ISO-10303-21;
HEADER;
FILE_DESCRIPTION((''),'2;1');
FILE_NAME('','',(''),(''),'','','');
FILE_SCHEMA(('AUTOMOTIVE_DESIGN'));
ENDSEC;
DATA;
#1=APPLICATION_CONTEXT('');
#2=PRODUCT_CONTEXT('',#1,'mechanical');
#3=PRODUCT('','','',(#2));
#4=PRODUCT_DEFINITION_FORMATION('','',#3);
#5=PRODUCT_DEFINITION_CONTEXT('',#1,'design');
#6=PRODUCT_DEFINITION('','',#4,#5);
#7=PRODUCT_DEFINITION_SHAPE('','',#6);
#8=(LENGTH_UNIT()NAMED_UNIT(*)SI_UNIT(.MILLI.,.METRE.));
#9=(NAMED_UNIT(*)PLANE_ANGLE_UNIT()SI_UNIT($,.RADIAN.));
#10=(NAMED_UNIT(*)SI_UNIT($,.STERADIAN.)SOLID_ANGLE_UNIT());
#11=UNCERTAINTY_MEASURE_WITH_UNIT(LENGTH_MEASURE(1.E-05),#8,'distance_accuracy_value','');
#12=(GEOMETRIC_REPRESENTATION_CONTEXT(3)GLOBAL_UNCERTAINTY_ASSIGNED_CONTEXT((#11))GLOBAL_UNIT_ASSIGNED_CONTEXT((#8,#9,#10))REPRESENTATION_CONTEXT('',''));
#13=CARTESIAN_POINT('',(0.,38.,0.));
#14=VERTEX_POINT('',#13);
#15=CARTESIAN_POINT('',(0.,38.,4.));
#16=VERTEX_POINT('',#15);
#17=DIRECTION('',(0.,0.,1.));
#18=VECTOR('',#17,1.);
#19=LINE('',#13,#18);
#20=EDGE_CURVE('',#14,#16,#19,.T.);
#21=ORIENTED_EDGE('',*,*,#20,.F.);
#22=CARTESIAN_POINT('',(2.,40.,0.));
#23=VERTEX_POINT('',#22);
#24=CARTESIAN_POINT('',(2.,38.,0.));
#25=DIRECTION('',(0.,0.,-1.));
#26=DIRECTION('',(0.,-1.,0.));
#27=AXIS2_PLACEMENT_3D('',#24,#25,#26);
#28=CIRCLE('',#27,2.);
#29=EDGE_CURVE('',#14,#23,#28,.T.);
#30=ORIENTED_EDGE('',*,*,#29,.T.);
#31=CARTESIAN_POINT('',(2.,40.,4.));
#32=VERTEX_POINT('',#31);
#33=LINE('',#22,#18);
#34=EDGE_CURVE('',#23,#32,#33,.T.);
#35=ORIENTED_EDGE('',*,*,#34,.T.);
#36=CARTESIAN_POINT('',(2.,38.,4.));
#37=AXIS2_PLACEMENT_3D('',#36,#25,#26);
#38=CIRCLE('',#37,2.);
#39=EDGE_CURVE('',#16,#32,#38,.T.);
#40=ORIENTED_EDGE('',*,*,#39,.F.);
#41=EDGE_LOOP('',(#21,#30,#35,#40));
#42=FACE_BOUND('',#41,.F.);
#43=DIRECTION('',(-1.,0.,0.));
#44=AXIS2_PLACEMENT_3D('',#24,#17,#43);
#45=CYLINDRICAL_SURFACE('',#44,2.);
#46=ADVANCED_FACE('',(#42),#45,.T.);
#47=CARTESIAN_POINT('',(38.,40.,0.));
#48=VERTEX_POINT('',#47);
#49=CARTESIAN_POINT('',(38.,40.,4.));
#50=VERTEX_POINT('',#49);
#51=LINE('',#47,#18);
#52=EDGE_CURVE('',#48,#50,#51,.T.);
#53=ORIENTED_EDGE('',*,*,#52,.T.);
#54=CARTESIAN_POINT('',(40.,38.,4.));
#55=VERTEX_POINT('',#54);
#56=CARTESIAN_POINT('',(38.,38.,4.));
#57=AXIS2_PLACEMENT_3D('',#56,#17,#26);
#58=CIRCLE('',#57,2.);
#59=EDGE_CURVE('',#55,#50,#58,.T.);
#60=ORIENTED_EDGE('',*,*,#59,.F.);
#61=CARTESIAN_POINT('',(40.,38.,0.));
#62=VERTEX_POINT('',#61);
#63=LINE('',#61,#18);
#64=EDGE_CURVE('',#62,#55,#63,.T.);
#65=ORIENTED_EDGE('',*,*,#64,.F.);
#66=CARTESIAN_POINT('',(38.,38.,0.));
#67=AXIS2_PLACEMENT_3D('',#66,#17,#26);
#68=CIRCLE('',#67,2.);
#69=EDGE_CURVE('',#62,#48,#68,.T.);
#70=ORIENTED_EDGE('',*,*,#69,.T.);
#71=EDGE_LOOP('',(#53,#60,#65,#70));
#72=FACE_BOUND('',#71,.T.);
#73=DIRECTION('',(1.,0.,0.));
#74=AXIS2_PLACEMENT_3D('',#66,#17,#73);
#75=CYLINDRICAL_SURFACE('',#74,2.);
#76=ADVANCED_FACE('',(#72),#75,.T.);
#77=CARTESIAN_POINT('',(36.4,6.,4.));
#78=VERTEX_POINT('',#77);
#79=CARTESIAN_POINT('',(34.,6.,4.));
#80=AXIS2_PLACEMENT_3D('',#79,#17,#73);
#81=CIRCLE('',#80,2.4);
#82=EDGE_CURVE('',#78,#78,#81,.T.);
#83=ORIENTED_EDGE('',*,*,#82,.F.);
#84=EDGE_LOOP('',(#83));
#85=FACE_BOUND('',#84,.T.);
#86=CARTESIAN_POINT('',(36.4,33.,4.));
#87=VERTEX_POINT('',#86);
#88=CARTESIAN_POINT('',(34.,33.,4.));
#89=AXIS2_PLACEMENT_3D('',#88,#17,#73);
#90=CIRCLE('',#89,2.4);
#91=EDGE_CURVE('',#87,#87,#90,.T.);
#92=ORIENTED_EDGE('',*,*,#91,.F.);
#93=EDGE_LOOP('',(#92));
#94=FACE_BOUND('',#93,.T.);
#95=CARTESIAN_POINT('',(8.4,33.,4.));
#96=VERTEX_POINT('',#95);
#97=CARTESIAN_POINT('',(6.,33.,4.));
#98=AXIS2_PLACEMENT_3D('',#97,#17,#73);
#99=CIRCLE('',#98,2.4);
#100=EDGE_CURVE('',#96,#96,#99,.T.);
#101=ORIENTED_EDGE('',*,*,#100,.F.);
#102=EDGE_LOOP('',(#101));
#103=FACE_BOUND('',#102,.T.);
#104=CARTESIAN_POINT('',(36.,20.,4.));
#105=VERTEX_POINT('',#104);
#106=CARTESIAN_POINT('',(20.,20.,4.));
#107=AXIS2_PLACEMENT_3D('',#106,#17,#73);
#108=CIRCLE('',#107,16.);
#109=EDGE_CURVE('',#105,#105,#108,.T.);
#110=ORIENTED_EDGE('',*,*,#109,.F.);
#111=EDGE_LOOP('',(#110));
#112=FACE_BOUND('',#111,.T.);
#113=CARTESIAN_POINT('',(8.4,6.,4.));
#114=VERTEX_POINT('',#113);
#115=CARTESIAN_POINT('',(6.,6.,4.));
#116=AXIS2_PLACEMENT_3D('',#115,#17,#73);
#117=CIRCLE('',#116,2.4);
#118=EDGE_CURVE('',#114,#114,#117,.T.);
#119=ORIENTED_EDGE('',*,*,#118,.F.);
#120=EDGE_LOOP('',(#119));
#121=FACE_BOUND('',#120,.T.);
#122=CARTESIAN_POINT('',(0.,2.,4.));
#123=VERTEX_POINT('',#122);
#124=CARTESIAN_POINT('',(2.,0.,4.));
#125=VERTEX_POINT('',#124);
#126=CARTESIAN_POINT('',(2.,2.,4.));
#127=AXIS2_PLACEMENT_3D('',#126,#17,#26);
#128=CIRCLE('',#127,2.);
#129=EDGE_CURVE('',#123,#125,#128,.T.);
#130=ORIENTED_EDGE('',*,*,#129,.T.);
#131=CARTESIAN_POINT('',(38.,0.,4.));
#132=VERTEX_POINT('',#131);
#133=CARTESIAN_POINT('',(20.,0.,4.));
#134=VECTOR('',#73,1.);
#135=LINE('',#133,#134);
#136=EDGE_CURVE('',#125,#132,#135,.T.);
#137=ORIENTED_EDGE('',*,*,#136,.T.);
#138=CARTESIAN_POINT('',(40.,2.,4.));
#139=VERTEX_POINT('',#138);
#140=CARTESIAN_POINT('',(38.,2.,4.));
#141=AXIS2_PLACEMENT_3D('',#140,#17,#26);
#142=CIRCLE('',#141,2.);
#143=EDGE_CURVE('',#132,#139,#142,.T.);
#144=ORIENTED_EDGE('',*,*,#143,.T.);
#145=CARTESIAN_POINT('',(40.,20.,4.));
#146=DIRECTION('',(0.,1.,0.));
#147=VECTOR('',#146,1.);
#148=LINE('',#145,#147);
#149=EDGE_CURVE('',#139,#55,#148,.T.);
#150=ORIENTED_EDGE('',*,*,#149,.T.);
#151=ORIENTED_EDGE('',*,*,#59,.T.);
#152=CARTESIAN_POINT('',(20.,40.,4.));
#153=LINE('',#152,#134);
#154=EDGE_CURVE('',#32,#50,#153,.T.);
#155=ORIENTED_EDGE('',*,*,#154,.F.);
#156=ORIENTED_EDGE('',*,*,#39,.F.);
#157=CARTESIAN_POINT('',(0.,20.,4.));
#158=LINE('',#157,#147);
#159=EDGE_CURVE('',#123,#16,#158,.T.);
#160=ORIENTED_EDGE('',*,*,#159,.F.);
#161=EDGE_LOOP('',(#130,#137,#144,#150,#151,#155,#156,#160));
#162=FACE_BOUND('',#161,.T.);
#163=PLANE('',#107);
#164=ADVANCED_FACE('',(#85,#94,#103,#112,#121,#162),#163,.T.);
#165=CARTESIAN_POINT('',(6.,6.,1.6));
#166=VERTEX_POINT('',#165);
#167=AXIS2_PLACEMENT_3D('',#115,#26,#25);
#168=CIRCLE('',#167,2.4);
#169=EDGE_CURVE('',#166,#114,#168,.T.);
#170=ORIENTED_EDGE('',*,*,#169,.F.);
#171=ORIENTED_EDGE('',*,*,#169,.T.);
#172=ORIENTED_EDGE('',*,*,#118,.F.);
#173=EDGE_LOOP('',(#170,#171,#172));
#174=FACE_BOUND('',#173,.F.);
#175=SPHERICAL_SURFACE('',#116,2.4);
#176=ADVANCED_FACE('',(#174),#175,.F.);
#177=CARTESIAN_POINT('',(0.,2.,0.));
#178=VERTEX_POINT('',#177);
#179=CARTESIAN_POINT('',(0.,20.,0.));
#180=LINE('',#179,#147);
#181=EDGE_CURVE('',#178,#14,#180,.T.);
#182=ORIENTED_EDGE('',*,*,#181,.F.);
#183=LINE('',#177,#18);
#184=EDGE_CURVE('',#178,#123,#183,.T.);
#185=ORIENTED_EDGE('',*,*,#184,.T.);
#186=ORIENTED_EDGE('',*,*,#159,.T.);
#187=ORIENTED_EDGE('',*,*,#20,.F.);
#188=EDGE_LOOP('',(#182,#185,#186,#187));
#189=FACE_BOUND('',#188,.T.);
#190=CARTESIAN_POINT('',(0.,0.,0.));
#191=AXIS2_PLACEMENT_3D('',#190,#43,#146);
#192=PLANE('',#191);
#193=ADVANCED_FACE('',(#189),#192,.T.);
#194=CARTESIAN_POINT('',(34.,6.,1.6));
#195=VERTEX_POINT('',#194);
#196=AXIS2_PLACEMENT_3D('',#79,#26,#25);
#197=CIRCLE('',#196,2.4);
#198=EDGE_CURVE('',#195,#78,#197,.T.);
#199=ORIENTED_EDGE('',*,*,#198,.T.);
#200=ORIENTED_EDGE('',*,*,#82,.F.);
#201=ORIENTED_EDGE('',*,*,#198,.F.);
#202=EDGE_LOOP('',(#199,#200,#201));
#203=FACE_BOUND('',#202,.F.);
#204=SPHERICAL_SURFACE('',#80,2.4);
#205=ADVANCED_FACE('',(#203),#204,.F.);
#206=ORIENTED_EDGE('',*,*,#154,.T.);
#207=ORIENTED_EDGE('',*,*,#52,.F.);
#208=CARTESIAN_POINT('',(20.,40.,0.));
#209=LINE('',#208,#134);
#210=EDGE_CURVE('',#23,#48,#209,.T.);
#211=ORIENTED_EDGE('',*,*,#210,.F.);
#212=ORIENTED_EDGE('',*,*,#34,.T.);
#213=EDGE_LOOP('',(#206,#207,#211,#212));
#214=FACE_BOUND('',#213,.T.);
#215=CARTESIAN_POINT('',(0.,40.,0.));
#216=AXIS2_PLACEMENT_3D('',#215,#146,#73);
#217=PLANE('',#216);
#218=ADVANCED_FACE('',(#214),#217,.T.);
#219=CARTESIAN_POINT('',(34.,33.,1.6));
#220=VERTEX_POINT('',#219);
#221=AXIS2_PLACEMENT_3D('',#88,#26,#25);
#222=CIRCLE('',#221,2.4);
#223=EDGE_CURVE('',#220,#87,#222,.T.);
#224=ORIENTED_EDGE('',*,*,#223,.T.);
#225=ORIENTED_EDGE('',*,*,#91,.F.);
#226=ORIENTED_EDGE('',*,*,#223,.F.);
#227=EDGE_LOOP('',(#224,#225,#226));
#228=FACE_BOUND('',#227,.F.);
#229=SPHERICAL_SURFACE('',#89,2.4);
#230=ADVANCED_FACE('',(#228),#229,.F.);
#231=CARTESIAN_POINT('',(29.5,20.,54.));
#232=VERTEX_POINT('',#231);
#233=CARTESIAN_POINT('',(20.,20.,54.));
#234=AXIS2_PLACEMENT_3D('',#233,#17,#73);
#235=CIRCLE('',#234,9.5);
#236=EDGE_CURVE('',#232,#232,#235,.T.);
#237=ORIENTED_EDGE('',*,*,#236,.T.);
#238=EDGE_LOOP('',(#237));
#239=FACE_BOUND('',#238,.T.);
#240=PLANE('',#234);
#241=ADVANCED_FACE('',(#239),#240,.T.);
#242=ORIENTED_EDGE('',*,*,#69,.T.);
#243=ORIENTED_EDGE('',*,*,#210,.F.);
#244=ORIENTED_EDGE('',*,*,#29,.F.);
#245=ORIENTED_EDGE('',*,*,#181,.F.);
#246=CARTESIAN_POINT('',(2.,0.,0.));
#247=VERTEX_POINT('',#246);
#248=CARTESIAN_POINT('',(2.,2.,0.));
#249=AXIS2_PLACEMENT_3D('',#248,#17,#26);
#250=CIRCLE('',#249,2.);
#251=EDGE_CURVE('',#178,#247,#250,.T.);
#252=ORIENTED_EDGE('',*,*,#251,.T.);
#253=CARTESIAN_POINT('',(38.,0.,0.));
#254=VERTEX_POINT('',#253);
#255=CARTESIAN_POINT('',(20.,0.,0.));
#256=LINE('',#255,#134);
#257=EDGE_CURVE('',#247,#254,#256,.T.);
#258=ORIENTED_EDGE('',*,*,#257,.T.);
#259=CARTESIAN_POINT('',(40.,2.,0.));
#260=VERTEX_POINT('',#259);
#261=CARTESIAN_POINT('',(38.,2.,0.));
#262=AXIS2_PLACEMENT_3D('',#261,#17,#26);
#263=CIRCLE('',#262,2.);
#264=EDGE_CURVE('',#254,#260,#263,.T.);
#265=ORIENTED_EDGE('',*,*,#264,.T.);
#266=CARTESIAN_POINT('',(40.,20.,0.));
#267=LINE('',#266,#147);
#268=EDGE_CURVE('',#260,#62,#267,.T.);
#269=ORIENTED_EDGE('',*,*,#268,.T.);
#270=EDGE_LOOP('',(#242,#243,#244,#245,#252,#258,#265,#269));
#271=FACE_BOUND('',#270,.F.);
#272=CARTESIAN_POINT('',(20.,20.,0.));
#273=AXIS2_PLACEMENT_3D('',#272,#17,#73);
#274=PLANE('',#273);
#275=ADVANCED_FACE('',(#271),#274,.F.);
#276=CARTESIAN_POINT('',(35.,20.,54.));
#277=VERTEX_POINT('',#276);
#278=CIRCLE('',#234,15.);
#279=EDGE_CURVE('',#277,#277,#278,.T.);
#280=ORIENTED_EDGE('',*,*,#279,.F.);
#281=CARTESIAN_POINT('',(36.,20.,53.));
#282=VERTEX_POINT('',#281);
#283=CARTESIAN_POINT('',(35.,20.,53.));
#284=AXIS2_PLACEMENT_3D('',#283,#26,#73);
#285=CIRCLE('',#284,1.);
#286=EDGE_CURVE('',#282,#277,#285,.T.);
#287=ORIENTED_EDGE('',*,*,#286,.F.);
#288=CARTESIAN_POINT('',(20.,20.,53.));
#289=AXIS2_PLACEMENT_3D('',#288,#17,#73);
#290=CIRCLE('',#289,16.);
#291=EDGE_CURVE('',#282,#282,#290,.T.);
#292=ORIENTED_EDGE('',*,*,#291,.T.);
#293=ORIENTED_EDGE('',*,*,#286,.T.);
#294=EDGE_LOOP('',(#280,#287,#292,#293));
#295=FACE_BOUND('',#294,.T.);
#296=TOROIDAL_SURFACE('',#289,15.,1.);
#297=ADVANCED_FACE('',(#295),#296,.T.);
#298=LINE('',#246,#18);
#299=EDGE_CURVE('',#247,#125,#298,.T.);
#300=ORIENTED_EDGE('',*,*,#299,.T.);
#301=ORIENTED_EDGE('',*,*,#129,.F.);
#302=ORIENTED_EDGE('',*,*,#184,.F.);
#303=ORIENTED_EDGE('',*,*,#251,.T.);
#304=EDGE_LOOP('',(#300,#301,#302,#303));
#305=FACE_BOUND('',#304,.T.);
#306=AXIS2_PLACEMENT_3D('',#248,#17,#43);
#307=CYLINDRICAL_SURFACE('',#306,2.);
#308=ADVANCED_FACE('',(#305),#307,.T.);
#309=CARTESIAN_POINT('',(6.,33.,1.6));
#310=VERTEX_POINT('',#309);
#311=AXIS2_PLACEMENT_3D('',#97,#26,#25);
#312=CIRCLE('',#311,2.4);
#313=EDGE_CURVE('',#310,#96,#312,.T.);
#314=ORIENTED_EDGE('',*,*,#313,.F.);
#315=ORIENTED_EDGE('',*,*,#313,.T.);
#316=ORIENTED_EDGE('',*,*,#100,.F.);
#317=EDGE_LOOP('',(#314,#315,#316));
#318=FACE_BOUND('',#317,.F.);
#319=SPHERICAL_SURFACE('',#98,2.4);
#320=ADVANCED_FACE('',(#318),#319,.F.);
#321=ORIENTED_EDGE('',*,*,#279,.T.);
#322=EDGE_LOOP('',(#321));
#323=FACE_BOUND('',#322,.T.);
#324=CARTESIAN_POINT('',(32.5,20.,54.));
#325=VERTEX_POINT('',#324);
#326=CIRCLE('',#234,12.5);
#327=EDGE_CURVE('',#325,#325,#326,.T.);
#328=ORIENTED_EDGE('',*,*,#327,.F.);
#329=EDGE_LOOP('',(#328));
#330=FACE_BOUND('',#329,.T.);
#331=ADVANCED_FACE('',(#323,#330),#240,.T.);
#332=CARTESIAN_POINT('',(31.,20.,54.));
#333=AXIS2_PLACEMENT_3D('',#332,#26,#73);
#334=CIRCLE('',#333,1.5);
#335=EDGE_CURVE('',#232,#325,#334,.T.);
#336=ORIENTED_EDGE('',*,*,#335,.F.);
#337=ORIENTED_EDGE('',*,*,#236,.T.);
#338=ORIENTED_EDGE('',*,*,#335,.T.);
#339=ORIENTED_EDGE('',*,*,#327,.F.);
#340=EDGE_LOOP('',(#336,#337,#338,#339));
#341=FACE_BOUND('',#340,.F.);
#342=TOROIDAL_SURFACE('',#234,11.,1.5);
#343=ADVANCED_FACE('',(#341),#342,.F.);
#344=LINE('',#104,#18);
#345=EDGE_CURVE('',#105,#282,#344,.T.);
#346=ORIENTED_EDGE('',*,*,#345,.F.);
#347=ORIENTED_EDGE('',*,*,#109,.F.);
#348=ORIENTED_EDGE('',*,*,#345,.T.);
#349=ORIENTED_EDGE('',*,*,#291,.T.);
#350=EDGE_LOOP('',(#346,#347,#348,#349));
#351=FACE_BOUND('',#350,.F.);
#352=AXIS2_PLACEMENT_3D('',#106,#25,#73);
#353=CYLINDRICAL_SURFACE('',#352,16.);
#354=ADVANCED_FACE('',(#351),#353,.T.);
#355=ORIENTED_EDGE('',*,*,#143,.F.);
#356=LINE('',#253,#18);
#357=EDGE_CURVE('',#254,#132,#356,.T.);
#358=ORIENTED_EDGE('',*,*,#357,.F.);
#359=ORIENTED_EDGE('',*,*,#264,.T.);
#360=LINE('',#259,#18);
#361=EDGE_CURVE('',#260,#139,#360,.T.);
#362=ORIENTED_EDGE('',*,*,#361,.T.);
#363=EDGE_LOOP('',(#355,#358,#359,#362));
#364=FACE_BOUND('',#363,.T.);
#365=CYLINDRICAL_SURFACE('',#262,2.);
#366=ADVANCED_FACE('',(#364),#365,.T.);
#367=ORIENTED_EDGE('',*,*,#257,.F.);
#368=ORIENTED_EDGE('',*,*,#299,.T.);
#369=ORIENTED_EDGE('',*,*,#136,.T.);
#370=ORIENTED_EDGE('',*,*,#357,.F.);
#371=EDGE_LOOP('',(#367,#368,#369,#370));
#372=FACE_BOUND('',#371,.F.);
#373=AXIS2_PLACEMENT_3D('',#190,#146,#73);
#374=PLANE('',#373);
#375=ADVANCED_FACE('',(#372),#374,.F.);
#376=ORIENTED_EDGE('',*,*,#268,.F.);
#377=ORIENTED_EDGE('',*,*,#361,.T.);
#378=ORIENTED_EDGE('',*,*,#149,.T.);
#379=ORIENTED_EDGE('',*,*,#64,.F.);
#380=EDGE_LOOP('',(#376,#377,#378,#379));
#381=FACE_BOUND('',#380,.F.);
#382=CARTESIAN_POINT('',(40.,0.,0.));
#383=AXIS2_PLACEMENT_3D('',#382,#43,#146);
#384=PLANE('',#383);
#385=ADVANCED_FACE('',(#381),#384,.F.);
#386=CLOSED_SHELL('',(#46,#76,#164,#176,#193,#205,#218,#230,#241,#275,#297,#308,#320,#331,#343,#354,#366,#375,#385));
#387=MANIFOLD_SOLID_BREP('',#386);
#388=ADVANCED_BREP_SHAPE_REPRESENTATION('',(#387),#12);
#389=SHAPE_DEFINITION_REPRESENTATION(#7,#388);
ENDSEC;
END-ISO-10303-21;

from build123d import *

# Parameters (mm, degrees)
TORUS_R        = 1.5
CYLINDER_R     = 16
CYLINDER_DEPTH = 50
FILLET001_R    = 1
ARRAY_X_COUNT  = 2
ARRAY_X_PITCH  = 28
ARRAY_Y_COUNT  = 2
ARRAY_Y_PITCH  = 27
BOX_W          = 40
BOX_H          = 40
BOX_DEPTH      = 4
FILLET_R       = 2


with BuildPart() as torus:
    # Torus → Torus (revolve)
    with BuildSketch(Plane(origin=(20, 20, 54), x_dir=(1, 0, 0), z_dir=(0, -1, 0))):
        with Locations((11, 0)):
            Circle(TORUS_R)
    revolve(axis=Axis((20, 20, 54), (0, 0, 1)))


with BuildPart() as cut001:
    # Cylinder → Cylinder (new body)
    with BuildSketch(Plane(origin=(20, 20, 4), x_dir=(1, 0, 0), z_dir=(0, 0, 1))):
        Circle(CYLINDER_R)
    extrude(amount=CYLINDER_DEPTH)

    # Fillet001
    fillet001_edges = [cut001.edges().sort_by_distance(p)[0] for p in [
        (4, 20, 54),
    ]]
    fillet(fillet001_edges, radius=FILLET001_R)

    # Cut001: cut Torus
    add(torus.part, mode=Mode.SUBTRACT)


with BuildPart() as array:
    # Sphere → Sphere (revolve)
    with BuildSketch(Plane(origin=(6, 6, 4), x_dir=(1, 0, 0), z_dir=(0, -1, 0))):
        with BuildLine():
            ThreePointArc((0, -2.4), (2.4, 0), (0, 2.4))
            Line((0, 2.4), (0, -2.4))
        make_face()
    revolve(axis=Axis((6, 6, 4), (0, 0, 1)))

    # Array X: Array ×2


with BuildPart() as array_1:
    add(array.part)
    with Locations(*[(i * ARRAY_X_PITCH, 0, 0) for i in range(1, ARRAY_X_COUNT)]):
        add(array.part)

    # Array Y: Array ×2


with BuildPart() as array_2:
    add(array_1.part)
    with Locations(*[(0, i * ARRAY_Y_PITCH, 0) for i in range(1, ARRAY_Y_COUNT)]):
        add(array_1.part)


with BuildPart() as fusion:
    # Box → Box (new body)
    with BuildSketch(Plane.XY):
        with Locations((20, 20)):
            Rectangle(BOX_W, BOX_H)
    extrude(amount=BOX_DEPTH)

    # Fillet
    fillet_edges = [fusion.edges().sort_by_distance(p)[0] for p in [
        (0, 0, 2),
        (0, 40, 2),
        (40, 0, 2),
        (40, 40, 2),
    ]]
    fillet(fillet_edges, radius=FILLET_R)

    # Cut: cut Array
    add(array_2.part, mode=Mode.SUBTRACT)

    # Fusion: union Cut001
    add(cut001.part)


solid = fusion.part
